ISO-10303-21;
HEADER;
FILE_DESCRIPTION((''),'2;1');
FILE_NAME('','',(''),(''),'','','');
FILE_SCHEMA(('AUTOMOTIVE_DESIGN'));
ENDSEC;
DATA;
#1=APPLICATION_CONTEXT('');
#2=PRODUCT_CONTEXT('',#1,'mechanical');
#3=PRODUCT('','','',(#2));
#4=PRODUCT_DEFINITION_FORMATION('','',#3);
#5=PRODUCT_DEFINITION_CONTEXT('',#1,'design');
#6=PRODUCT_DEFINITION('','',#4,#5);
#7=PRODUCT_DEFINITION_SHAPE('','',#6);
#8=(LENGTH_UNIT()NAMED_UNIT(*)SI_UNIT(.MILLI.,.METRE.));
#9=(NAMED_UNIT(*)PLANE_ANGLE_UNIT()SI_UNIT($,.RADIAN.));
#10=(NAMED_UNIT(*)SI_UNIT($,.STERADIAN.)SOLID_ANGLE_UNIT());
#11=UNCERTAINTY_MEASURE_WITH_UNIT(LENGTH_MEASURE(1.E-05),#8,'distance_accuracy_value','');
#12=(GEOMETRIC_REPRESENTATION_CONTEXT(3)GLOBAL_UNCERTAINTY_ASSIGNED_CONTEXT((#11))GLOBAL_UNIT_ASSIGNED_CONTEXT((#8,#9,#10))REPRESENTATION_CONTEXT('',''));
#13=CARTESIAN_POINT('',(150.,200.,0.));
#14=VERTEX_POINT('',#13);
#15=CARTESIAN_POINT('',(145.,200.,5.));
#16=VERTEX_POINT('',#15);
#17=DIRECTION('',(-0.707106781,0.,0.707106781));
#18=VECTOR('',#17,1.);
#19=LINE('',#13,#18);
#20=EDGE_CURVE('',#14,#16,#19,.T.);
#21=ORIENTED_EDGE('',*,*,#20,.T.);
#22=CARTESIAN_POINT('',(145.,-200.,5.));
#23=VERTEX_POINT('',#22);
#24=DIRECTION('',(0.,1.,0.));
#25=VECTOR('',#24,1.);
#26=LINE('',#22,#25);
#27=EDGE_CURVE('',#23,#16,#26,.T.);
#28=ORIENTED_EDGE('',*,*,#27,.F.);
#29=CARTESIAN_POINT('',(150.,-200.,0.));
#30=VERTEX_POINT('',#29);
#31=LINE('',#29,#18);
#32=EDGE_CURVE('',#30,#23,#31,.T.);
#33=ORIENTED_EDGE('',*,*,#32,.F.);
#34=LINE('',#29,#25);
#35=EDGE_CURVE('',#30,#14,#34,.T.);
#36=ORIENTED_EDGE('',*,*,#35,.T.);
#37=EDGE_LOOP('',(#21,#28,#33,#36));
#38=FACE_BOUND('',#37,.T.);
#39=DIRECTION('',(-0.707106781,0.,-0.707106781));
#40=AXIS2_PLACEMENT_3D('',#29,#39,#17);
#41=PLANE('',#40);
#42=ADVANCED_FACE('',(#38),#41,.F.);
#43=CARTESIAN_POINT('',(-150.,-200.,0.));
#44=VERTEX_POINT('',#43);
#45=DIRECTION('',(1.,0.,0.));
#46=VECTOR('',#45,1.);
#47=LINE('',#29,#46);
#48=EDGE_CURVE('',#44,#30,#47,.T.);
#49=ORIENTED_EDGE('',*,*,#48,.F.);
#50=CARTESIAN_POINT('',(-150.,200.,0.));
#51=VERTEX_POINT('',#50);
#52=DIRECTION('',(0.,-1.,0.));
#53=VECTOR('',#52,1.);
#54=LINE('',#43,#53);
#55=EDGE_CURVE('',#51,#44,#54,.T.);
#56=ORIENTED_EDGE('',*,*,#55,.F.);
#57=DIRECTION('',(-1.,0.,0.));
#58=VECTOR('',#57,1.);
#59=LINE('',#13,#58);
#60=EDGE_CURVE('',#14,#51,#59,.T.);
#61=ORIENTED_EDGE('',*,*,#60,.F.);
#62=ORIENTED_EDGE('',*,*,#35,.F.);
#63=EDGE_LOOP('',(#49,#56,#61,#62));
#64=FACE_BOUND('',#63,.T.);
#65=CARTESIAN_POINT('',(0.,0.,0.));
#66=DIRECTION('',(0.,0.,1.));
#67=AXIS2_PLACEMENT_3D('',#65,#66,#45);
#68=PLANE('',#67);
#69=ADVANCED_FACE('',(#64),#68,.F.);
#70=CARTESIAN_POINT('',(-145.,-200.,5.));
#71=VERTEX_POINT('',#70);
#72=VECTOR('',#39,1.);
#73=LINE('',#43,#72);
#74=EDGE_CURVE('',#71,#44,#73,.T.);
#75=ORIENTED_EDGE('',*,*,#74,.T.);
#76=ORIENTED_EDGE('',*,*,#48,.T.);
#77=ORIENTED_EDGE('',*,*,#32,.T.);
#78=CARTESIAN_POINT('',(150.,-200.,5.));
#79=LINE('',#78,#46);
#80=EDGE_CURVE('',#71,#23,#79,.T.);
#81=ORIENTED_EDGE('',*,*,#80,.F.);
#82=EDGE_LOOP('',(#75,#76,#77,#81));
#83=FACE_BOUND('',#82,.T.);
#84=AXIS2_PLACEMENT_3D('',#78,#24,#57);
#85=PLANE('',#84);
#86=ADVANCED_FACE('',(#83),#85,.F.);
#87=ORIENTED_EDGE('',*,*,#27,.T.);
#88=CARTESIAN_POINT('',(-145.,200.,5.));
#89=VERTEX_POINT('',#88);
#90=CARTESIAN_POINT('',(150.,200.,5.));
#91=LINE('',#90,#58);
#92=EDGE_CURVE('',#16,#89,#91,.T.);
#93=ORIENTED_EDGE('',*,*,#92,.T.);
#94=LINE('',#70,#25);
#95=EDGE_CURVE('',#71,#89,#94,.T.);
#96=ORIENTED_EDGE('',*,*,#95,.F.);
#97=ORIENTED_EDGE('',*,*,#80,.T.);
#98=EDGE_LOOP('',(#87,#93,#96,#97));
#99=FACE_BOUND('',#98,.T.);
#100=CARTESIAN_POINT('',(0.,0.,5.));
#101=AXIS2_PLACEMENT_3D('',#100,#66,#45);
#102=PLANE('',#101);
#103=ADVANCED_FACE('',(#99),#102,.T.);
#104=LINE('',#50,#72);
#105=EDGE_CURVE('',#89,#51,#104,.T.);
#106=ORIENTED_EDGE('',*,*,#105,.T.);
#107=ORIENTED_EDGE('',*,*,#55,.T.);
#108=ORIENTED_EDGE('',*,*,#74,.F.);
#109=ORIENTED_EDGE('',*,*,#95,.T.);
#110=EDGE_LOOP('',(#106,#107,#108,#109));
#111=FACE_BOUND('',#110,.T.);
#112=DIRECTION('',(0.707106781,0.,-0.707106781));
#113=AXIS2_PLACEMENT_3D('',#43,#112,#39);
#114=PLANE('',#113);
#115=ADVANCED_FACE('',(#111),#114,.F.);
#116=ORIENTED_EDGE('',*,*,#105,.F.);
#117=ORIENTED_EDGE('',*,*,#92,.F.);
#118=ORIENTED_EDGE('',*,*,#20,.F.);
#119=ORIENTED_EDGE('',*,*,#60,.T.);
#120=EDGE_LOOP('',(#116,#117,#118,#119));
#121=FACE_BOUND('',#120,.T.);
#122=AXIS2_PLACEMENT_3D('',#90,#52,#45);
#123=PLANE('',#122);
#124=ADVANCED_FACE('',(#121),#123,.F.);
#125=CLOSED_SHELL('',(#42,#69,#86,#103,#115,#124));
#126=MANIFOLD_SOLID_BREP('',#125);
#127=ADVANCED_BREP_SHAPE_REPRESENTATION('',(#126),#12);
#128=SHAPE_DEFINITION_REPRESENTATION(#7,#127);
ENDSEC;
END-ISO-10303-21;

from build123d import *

# Parameters (mm, degrees)
ESQUISSE1_W             = 300
ESQUISSE1_H             = 400
BOSS_EXTRU_1_DEPTH      = 5
ENL_V_MAT_EXTRU_1_DEPTH = 428.229446551


with BuildPart() as part:
    # Esquisse1 → Boss.-Extru.1 (new body)
    with BuildSketch(Plane.XY):
        Rectangle(ESQUISSE1_W, ESQUISSE1_H)
    extrude(amount=BOSS_EXTRU_1_DEPTH)

    # Esquisse2 → Enlèv. mat.-Extru.1 (cut, through all)
    with BuildSketch(Plane(origin=(0, 200, 0), x_dir=(1, 0, 0), z_dir=(0, 1, 0))):
        Polygon((-150, -5), (-150, 0), (-145, -5), align=None)
        Polygon((145, -5), (150, -5), (150, 0), align=None)
    extrude(amount=-ENL_V_MAT_EXTRU_1_DEPTH, mode=Mode.SUBTRACT)


solid = part.part
